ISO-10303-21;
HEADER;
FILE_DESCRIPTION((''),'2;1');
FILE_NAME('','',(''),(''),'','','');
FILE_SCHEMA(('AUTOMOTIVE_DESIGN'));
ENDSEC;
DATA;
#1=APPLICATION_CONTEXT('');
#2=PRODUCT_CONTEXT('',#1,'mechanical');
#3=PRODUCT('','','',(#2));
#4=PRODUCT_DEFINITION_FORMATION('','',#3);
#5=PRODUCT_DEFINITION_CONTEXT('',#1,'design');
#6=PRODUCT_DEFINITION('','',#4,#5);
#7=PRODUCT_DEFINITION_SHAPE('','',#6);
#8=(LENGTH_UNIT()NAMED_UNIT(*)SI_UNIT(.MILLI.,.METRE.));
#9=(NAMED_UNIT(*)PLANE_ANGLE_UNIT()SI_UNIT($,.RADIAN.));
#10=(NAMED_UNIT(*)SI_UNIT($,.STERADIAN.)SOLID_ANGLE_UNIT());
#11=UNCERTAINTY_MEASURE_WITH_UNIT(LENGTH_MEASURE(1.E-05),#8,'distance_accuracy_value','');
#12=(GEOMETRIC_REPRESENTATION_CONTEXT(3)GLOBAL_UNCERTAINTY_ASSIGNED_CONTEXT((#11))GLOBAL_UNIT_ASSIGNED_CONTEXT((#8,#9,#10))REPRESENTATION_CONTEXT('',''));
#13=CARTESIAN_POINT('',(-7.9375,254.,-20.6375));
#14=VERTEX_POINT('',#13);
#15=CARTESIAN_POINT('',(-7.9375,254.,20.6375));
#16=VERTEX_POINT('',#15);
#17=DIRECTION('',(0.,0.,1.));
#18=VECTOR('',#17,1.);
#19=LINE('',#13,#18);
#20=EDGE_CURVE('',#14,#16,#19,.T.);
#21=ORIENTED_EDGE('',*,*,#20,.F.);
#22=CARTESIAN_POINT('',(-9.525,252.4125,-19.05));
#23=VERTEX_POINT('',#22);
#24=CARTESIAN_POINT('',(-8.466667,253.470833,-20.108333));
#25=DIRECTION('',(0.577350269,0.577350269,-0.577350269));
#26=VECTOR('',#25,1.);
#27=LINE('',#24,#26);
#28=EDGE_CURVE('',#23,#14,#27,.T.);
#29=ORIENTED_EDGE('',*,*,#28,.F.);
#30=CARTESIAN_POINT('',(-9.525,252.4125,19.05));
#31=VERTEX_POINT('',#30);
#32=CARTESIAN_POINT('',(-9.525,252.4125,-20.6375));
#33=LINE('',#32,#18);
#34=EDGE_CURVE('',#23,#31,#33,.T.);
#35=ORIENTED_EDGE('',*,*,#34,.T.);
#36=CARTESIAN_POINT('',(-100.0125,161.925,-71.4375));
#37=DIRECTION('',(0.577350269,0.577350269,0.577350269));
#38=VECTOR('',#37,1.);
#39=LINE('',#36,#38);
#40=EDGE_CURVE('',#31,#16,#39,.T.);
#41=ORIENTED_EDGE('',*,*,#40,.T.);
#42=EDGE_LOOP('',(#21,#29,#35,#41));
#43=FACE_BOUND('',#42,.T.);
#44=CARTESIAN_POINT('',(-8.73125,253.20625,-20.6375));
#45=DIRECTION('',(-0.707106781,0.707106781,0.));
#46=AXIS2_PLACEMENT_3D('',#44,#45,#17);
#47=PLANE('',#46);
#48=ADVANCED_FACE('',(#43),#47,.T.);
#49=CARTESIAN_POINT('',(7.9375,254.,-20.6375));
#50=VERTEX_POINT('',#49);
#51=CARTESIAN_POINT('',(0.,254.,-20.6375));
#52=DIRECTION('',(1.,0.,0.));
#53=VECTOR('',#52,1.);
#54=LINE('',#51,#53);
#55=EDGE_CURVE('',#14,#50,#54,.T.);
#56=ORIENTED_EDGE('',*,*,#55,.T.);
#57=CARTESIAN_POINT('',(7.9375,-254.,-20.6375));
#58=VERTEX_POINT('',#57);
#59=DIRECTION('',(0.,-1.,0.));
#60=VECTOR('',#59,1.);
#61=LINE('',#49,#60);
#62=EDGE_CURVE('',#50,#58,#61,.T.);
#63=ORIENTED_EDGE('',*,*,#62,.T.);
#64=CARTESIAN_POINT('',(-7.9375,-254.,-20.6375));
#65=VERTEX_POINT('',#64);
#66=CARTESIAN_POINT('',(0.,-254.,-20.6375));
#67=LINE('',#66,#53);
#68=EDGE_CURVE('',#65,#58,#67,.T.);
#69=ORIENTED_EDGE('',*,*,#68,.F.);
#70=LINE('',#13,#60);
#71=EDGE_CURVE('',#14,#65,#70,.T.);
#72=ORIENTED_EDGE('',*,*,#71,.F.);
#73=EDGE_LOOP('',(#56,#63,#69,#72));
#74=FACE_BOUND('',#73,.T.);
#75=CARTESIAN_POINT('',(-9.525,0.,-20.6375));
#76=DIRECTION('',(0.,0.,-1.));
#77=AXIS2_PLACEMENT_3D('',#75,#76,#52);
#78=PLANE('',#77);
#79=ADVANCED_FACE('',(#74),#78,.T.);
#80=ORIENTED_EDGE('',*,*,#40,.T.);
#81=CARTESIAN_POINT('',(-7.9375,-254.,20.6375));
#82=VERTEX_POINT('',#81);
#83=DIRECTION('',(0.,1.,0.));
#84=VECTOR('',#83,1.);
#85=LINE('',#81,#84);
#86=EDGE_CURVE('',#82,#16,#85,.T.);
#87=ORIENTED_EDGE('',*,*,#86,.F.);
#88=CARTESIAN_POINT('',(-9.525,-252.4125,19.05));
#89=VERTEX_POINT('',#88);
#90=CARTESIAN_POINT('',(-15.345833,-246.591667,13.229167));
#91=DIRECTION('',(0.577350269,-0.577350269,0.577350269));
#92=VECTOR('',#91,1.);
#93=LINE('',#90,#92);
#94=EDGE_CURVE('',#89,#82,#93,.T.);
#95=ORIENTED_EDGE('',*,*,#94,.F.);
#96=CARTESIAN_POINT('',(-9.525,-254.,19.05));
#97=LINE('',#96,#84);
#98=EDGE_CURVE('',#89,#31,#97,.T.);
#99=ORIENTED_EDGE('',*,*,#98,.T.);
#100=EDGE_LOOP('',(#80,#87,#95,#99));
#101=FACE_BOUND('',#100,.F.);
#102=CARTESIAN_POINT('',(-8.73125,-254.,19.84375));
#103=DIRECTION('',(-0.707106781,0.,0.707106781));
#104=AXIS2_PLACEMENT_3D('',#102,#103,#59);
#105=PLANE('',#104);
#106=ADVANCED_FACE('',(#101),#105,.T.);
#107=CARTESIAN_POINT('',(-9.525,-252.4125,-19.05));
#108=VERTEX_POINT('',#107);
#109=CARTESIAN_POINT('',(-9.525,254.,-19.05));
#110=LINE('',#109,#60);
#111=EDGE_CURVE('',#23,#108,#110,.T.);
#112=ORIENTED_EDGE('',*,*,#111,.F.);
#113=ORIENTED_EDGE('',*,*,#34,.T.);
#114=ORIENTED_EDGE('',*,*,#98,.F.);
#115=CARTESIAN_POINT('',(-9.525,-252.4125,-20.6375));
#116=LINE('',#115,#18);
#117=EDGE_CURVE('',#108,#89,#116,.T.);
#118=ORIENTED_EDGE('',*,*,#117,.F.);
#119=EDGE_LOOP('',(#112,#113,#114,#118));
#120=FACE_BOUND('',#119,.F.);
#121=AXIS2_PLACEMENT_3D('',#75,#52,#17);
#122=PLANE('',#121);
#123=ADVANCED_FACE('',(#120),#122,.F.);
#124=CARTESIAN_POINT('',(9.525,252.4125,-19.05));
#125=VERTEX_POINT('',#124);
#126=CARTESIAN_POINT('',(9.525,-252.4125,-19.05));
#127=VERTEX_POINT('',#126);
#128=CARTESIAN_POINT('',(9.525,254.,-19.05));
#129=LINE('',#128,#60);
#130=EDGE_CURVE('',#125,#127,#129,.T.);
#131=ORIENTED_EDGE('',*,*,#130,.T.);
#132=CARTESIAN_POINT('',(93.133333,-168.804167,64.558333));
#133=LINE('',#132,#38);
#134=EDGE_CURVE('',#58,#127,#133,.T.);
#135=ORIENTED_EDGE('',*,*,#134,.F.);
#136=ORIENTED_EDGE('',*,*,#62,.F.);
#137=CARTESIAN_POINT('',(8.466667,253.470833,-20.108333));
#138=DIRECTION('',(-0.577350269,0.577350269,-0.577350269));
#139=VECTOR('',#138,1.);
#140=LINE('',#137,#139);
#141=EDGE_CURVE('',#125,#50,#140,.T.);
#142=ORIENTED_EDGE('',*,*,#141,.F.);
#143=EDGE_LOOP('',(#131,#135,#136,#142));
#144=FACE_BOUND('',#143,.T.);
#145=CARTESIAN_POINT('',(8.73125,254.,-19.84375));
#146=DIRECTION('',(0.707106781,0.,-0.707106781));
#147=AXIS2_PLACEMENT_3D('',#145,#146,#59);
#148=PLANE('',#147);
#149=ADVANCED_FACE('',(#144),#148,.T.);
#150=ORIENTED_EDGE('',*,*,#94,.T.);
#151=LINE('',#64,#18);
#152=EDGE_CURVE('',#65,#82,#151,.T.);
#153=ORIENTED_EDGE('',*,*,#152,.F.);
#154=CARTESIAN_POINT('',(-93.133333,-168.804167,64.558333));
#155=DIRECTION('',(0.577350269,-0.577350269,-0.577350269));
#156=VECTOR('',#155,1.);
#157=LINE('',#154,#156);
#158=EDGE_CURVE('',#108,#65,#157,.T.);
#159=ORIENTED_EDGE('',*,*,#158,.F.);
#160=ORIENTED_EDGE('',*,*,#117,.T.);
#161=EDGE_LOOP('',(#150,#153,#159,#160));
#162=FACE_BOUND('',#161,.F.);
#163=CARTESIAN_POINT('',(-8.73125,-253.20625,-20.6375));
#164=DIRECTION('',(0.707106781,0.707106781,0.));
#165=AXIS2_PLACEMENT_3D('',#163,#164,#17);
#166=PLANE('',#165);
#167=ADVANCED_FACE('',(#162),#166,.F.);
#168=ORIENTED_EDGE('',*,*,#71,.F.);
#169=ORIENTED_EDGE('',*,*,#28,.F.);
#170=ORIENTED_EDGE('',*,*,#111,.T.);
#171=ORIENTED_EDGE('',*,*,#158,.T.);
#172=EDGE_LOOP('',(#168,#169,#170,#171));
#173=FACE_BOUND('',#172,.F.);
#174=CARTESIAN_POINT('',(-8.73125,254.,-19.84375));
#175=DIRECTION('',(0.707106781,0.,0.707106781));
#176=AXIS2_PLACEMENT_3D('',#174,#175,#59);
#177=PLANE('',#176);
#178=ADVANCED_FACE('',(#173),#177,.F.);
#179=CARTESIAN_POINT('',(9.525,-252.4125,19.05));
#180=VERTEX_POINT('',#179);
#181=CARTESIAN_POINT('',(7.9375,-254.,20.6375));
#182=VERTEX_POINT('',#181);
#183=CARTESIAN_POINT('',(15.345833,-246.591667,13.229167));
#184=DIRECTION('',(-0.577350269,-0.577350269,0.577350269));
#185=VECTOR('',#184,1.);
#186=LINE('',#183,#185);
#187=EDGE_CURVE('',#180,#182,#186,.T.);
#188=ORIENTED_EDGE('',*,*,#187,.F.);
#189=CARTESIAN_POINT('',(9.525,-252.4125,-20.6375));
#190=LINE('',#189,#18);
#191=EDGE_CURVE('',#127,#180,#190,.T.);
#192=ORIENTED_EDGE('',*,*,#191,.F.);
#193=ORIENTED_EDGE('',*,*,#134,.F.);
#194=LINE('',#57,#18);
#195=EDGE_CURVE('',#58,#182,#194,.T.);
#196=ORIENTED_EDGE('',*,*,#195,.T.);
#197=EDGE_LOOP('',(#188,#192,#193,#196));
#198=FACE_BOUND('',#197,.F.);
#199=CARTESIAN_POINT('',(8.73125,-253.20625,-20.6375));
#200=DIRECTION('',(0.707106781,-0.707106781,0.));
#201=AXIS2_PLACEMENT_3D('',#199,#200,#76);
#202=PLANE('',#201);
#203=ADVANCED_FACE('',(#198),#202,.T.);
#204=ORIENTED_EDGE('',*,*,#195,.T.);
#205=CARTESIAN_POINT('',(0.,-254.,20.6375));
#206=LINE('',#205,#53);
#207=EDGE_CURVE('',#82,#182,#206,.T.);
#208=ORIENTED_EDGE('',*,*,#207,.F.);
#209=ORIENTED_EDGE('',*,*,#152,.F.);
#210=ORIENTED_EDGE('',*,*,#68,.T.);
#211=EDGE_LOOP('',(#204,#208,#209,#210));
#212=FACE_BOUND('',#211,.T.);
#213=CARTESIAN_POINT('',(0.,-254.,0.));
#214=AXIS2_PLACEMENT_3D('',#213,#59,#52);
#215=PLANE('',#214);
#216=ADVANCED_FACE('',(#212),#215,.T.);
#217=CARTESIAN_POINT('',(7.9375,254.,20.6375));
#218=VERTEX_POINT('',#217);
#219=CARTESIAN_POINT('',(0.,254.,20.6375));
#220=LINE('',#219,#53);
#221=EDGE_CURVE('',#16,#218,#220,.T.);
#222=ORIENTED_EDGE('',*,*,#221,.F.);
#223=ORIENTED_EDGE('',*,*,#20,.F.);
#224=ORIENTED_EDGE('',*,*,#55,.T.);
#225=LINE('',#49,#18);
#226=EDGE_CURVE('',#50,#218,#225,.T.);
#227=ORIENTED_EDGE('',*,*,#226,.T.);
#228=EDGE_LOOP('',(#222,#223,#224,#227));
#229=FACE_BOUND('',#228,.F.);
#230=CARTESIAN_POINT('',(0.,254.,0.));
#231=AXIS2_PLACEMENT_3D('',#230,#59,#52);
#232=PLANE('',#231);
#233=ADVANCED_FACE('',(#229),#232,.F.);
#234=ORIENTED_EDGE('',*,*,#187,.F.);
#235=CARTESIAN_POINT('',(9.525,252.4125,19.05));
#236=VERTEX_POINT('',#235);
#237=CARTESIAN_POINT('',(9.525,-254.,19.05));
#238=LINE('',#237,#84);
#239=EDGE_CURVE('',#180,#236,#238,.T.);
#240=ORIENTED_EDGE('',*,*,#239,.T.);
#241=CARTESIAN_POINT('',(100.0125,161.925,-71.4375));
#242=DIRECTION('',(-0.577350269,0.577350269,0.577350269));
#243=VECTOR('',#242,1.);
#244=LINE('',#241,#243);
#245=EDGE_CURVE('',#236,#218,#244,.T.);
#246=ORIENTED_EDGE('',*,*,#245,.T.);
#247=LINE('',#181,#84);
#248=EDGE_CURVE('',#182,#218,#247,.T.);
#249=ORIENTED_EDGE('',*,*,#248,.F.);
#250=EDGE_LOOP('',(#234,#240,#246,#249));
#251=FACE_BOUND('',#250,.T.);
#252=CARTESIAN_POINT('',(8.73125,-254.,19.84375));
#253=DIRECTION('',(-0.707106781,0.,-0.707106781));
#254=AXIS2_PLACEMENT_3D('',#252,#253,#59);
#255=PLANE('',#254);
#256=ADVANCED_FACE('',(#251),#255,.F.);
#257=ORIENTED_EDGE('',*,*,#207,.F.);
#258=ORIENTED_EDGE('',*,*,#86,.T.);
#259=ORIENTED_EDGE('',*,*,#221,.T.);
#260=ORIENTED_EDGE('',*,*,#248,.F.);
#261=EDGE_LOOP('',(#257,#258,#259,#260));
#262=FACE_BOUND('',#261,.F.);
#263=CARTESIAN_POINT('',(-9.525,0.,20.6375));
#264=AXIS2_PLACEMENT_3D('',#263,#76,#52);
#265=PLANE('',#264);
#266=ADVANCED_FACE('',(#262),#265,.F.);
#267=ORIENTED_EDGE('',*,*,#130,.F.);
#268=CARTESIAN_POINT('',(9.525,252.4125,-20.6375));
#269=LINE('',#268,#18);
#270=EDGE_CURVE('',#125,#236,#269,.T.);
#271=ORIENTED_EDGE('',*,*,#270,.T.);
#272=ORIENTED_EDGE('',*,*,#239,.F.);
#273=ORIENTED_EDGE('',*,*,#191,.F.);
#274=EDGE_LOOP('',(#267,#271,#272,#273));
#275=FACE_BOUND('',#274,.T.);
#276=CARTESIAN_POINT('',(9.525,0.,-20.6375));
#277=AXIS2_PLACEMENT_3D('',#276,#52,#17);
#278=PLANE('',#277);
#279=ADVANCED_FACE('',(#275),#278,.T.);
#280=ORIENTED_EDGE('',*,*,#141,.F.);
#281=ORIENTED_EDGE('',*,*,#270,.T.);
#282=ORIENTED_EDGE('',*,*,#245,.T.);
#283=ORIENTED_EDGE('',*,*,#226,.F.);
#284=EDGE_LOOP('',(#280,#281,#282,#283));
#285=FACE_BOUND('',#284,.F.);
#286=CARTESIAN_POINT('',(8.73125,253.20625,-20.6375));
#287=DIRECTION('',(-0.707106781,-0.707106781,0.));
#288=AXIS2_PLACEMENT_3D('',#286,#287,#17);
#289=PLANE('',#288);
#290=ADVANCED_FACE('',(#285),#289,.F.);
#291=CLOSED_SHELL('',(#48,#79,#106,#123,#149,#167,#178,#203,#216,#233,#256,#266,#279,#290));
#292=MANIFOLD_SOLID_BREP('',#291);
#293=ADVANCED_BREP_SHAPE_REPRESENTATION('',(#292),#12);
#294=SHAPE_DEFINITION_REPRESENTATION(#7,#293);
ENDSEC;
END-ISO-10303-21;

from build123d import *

# Parameters (mm, degrees)
F0_W     = 19.05
F0_H     = 41.275
F1_DEPTH = 254
F3_SIZE  = 1.5875


with BuildPart() as f1:
    # F0 (on Front) → F1 (new body, symmetric)
    with BuildSketch(Plane.XZ):
        Rectangle(F0_W, F0_H)
    extrude(amount=F1_DEPTH, both=True)

    # F3
    f3_edges = [f1.edges().sort_by_distance(p)[0] for p in [
        (-9.525, 0, 20.6375),
        (-9.525, 254, 0),
        (-9.525, 0, -20.6375),
        (-9.525, -254, 0),
        (9.525, 254, 0),
        (9.525, 0, 20.6375),
        (9.525, -254, 0),
        (9.525, 0, -20.6375),
    ]]
    chamfer(f3_edges, length=F3_SIZE)


solid = f1.part
